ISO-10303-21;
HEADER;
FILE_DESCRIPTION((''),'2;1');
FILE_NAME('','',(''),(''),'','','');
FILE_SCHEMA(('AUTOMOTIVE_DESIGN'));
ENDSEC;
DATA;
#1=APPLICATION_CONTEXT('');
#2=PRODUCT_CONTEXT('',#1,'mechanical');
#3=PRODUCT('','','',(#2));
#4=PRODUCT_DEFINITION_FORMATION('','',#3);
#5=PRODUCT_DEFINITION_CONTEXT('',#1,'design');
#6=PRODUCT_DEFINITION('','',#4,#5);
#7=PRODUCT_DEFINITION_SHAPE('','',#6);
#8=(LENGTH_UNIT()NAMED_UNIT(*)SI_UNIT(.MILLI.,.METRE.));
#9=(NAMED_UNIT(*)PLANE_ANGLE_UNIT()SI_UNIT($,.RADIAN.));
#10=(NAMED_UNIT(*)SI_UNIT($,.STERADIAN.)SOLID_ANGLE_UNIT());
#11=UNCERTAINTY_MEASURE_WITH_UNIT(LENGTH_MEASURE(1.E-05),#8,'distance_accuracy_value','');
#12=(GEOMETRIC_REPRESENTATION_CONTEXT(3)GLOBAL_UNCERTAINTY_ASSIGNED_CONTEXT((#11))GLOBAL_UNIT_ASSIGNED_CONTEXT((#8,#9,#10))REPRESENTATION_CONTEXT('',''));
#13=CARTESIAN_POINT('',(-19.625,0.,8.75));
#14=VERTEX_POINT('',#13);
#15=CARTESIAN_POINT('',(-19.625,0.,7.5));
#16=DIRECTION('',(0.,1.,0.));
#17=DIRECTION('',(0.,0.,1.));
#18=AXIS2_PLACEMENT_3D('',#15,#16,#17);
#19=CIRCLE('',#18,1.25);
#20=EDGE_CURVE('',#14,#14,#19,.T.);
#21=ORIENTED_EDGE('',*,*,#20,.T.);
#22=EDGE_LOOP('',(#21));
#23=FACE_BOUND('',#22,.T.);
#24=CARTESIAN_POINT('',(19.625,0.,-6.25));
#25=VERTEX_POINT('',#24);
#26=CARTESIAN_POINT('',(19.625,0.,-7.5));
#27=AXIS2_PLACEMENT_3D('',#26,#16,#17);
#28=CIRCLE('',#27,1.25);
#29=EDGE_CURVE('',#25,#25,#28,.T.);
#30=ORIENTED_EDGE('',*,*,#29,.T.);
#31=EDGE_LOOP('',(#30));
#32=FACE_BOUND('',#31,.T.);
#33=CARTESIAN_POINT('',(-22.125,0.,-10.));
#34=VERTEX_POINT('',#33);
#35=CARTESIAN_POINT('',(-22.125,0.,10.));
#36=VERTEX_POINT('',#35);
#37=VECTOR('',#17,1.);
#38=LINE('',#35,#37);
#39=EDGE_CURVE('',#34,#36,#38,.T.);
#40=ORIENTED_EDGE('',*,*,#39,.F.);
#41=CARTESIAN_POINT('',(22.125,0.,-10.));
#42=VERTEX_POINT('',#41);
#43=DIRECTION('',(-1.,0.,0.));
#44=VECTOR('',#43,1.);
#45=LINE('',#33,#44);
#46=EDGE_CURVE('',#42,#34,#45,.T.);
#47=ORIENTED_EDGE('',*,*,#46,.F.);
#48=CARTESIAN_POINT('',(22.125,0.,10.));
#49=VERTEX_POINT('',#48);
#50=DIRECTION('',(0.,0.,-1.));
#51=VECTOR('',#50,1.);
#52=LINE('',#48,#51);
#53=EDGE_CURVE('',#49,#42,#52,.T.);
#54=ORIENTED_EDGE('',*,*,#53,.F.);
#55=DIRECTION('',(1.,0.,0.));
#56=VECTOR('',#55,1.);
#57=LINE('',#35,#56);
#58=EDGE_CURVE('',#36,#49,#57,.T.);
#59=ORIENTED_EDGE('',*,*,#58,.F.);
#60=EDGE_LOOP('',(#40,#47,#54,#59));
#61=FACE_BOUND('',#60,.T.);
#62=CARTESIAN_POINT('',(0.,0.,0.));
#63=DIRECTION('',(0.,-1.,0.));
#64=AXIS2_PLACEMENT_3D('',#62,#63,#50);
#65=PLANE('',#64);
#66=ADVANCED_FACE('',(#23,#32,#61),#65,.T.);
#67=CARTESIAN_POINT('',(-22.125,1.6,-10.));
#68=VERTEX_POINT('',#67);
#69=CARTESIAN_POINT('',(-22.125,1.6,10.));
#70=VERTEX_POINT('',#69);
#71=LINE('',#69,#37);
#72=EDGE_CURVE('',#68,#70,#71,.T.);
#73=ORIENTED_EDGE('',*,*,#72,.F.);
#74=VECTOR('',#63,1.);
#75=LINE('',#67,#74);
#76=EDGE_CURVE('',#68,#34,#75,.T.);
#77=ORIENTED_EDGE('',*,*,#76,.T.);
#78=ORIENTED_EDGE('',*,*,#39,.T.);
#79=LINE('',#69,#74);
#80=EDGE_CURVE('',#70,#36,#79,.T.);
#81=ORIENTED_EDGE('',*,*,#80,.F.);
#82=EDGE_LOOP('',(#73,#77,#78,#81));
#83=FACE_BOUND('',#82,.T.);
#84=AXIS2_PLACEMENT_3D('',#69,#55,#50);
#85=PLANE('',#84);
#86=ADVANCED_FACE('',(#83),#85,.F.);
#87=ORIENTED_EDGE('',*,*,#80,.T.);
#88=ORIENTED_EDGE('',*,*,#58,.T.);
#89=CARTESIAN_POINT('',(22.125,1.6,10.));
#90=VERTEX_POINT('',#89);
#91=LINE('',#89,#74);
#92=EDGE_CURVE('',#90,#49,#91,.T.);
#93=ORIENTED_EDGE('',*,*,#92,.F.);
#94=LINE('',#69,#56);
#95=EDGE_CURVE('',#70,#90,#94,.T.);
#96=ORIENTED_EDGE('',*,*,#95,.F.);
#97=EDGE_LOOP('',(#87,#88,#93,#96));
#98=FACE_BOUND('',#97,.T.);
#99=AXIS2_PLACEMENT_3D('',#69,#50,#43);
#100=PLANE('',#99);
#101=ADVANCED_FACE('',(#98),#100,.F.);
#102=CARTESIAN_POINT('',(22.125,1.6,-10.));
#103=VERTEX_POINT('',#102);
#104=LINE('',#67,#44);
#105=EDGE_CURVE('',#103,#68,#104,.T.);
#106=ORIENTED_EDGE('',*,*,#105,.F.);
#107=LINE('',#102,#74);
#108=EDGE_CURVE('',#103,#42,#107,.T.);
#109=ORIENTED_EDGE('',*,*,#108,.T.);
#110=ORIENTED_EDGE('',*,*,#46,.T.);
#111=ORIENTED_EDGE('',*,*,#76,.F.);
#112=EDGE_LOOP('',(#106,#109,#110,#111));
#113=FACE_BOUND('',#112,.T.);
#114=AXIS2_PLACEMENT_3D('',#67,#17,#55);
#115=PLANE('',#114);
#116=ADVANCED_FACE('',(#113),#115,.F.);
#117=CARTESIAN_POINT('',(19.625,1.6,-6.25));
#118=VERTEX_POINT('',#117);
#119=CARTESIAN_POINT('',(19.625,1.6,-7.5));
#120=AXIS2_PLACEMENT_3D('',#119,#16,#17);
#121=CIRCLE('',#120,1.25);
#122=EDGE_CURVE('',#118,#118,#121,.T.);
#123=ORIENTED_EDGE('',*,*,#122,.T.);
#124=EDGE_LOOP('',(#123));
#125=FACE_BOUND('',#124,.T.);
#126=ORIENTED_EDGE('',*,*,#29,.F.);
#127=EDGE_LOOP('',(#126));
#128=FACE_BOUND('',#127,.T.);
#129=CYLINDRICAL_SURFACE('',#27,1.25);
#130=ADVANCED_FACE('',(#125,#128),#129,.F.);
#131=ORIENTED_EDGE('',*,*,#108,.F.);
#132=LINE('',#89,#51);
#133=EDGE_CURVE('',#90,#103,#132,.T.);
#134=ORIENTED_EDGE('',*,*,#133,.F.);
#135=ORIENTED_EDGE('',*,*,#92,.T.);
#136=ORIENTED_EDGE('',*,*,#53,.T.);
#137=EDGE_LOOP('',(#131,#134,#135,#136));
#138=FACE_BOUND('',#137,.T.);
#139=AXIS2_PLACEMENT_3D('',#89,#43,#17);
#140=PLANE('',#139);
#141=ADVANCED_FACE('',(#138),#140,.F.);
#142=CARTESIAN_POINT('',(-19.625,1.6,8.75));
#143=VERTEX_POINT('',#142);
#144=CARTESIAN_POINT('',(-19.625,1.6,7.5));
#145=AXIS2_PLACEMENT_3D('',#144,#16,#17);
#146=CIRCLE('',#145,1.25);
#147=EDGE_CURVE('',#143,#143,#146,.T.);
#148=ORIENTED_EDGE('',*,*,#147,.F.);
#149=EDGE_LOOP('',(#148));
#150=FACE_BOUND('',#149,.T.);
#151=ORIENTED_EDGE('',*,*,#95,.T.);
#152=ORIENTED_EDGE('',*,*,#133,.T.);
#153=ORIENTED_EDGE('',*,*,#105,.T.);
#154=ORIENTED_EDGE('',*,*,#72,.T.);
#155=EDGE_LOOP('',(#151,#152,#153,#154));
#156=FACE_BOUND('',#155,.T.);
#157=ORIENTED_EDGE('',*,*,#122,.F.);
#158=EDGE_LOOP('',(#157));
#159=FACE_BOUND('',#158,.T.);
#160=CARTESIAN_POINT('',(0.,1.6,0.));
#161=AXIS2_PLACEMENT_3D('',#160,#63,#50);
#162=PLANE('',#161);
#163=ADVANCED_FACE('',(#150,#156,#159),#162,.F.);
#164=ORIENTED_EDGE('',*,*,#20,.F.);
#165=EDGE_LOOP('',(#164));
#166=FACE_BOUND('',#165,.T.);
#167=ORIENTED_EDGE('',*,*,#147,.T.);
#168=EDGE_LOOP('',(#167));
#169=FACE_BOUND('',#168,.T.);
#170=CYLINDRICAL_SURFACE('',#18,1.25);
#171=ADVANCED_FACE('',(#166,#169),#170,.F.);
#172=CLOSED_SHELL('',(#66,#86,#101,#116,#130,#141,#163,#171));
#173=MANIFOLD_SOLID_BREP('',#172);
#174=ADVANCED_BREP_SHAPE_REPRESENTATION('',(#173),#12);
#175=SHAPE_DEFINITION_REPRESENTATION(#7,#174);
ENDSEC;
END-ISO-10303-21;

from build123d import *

# Parameters (mm, degrees)
SKETCH1_W           = 44.25
SKETCH1_H           = 20
BOSS_EXTRUDE1_DEPTH = 1.6
SKETCH8_R           = 1.25
CUT_EXTRUDE3_DEPTH  = 25.332604156


with BuildPart() as part:
    # Sketch1 → Boss-Extrude1 (new body)
    with BuildSketch(Plane(origin=(0, 0, 0), x_dir=(1, 0, 0), z_dir=(0, 1, 0))):
        Rectangle(SKETCH1_W, SKETCH1_H)
    extrude(amount=BOSS_EXTRUDE1_DEPTH)

    # Sketch8 → Cut-Extrude3 (cut, through all)
    with BuildSketch(Plane(origin=(0, 1.6, 0), x_dir=(1, 0, 0), z_dir=(0, 1, 0))):
        with Locations(Location((-19.625, -7.5, 0), (0, 0, 270))):
            Circle(SKETCH8_R)
        with Locations(Location((19.625, 7.5, 0), (0, 0, 270))):
            Circle(SKETCH8_R)
    extrude(amount=-CUT_EXTRUDE3_DEPTH, mode=Mode.SUBTRACT)


solid = part.part
